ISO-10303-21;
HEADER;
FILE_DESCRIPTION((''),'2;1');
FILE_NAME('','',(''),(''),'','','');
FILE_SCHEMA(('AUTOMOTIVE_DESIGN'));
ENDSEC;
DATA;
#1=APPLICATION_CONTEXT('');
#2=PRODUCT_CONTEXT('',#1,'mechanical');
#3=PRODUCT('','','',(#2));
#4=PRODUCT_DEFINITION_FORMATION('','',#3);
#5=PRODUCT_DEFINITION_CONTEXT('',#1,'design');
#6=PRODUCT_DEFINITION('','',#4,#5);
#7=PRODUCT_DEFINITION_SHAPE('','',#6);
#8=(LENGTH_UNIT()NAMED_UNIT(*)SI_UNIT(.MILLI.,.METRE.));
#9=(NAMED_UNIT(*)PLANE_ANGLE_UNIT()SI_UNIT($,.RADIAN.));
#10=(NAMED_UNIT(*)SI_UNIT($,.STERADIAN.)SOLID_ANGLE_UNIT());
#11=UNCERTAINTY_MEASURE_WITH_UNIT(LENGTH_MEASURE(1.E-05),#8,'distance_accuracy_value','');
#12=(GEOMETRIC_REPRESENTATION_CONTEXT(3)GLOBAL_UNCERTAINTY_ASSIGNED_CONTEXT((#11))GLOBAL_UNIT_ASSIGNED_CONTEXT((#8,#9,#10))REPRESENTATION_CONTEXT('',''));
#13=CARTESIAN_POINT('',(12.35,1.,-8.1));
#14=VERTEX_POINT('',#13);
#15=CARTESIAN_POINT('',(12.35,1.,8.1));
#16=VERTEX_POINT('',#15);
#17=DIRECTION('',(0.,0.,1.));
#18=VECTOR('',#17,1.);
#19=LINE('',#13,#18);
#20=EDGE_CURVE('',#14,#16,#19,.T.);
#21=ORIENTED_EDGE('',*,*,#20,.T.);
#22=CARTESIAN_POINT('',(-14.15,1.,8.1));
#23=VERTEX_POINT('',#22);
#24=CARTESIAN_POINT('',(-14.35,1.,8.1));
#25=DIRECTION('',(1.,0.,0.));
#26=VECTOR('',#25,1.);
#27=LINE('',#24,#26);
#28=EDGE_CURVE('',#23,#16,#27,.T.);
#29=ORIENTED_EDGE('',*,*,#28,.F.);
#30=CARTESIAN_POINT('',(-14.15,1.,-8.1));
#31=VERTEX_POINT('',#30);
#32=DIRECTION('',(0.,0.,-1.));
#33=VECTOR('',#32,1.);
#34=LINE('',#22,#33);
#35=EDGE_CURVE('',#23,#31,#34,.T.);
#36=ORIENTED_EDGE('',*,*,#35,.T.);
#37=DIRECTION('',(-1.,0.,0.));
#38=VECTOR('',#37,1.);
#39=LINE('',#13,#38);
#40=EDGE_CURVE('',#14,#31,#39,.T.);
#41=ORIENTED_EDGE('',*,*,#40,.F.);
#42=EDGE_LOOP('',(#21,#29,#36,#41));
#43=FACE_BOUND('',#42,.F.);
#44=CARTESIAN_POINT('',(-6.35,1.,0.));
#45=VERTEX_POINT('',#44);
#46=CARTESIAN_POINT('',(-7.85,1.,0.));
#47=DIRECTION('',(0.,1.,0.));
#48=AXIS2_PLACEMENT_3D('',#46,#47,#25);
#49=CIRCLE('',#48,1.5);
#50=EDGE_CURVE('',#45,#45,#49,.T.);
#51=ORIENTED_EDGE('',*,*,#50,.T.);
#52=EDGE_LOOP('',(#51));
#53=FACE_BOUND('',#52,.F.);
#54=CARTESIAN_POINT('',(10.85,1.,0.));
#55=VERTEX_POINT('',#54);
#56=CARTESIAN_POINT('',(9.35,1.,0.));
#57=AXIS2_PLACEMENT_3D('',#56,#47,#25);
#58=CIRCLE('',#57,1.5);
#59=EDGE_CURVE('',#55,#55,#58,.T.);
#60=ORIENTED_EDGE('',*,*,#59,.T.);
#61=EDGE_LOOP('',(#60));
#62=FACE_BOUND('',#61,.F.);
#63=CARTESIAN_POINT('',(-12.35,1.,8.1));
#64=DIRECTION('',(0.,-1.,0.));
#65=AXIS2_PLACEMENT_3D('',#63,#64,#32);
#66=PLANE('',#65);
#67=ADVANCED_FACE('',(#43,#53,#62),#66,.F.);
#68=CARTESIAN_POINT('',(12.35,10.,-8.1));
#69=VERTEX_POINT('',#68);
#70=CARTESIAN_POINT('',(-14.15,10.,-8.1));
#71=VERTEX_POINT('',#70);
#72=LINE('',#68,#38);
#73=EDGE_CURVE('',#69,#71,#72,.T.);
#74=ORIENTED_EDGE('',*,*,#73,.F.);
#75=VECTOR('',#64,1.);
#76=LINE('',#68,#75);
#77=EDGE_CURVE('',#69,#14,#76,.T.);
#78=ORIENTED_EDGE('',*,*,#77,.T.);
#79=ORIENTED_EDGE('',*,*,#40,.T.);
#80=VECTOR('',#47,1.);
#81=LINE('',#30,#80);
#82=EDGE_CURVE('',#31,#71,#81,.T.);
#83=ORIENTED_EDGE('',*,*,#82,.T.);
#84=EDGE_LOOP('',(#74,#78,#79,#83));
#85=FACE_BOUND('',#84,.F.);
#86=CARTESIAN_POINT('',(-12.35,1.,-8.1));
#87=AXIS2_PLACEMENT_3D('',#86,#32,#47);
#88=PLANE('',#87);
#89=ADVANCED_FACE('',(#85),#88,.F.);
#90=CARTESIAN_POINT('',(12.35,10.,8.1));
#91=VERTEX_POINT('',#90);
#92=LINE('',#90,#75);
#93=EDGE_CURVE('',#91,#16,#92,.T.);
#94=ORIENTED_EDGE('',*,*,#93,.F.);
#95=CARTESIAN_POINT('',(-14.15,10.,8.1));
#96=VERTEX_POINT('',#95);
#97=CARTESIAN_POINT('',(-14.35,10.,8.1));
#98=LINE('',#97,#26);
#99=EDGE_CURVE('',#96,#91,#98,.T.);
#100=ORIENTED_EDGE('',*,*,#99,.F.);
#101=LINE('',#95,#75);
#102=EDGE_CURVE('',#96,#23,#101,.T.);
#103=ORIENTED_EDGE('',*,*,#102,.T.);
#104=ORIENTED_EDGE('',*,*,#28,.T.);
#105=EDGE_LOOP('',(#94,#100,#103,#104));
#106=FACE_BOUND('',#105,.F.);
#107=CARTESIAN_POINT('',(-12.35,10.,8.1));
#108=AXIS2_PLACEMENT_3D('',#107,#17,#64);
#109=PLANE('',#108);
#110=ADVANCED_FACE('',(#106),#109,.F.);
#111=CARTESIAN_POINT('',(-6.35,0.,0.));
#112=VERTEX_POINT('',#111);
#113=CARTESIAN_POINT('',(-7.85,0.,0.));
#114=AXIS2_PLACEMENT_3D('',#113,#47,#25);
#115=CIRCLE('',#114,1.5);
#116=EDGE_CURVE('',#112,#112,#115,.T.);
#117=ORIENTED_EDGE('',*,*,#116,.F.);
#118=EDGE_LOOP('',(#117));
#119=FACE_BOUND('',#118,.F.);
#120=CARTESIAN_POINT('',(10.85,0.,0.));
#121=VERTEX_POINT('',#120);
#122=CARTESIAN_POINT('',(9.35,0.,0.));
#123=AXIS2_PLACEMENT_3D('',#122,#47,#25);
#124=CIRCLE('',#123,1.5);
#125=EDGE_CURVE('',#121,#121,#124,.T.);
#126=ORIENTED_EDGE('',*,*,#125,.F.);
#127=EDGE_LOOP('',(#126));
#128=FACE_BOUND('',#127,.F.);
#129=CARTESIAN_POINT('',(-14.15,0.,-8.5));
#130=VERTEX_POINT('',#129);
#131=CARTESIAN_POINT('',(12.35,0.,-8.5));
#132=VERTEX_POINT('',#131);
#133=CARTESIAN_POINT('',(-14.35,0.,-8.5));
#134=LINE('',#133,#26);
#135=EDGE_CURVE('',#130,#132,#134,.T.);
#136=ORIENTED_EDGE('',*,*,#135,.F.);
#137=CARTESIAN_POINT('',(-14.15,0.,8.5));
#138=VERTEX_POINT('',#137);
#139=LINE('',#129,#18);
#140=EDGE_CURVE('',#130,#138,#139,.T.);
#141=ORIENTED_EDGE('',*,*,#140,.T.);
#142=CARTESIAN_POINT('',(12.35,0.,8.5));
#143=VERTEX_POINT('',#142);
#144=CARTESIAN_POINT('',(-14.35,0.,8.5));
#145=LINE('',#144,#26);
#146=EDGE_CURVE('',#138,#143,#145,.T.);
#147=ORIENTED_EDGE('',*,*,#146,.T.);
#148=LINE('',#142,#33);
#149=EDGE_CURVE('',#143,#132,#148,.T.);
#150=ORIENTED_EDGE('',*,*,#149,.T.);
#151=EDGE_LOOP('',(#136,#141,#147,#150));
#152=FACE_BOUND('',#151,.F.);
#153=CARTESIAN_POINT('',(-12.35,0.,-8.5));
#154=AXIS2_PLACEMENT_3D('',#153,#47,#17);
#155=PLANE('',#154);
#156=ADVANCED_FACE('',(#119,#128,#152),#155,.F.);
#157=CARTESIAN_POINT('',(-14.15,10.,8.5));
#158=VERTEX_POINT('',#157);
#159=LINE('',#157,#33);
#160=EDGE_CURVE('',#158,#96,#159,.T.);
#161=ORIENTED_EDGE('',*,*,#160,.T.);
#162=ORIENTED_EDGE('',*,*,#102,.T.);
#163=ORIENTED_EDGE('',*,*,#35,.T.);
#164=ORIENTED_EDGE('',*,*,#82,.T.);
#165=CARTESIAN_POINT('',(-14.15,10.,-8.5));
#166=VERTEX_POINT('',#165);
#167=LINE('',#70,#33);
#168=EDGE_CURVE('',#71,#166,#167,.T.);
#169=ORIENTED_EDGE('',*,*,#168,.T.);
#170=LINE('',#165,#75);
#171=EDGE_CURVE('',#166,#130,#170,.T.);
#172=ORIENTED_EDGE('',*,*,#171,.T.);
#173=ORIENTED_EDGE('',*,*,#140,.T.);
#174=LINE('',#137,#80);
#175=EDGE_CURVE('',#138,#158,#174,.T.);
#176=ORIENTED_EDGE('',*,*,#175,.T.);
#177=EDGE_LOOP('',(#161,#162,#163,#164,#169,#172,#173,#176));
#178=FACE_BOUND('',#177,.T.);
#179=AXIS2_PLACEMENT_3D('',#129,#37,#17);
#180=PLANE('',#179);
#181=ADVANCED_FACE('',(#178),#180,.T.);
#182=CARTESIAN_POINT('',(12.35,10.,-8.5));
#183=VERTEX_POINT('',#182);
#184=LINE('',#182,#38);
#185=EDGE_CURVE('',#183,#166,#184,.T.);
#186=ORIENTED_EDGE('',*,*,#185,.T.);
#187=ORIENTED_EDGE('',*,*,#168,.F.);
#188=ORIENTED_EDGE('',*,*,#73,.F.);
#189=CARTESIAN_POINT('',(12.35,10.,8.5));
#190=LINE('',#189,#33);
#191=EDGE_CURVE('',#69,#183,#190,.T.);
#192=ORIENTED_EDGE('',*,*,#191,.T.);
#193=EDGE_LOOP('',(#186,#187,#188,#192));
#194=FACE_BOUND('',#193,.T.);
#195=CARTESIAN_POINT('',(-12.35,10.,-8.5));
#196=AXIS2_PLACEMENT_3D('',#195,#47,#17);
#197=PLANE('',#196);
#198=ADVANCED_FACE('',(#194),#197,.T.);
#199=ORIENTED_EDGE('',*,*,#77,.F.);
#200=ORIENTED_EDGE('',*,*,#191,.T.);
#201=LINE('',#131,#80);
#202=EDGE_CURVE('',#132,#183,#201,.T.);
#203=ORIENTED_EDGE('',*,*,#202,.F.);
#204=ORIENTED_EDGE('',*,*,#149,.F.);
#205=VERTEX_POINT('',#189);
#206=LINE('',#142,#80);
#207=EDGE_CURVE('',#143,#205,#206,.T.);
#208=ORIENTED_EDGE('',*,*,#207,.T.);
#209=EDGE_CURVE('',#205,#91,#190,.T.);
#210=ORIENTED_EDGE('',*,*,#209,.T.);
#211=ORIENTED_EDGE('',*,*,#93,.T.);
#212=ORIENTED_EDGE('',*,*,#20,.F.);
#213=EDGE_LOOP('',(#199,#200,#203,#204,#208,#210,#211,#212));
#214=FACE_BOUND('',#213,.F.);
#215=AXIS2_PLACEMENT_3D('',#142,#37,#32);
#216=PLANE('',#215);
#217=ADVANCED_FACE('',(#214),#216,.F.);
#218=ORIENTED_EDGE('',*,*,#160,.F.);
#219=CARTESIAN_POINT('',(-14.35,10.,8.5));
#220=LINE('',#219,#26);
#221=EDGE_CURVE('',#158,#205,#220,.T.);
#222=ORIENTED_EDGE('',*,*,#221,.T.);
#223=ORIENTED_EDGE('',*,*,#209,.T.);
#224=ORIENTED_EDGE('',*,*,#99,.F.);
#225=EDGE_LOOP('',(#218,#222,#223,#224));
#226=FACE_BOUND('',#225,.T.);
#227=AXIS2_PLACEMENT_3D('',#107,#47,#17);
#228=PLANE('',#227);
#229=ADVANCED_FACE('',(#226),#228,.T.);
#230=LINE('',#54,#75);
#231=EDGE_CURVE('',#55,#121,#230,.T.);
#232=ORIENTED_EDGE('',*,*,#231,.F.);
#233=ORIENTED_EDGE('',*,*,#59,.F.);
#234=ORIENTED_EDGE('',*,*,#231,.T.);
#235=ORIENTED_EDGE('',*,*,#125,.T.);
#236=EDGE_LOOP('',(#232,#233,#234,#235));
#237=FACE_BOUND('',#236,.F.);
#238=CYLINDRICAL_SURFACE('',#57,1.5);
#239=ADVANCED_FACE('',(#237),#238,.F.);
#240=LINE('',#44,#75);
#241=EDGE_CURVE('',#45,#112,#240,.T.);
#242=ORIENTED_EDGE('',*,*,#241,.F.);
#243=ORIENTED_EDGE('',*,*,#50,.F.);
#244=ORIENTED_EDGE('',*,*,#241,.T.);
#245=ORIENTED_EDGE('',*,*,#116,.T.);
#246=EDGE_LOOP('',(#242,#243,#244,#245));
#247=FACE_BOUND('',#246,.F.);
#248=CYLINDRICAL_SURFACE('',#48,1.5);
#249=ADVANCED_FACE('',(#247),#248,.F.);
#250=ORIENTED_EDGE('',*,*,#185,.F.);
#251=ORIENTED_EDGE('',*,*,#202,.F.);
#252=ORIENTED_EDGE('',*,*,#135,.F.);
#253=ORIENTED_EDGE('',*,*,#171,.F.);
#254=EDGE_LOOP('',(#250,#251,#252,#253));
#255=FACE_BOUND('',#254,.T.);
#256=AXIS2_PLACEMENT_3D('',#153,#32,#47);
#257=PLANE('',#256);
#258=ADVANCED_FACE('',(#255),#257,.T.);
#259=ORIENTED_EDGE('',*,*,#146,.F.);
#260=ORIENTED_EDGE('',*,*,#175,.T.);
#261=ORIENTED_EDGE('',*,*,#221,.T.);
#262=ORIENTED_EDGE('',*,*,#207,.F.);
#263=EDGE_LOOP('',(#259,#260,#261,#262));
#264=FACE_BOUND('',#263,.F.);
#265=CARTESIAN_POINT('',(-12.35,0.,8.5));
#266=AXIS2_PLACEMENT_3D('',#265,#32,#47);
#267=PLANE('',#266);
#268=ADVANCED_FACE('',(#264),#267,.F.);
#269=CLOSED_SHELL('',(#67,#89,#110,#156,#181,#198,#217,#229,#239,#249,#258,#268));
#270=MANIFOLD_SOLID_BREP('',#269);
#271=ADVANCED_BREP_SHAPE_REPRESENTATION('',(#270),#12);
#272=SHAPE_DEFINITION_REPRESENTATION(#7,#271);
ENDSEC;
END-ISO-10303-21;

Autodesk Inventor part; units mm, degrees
ref_plane "YZ Plane" through (0, 0, 0) normal (1, 0, 0) x (0, 1, 0)
ref_plane "XZ Plane" through (0, 0, 0) normal (0, 1, 0) x (-1, 0, 0)
ref_plane "XY Plane" through (0, 0, 0) normal (0, 0, 1) x (1, 0, 0)
sketch "Sketch1" plane through (0, 0, 0) normal (0, 1, 0) x (-1, 0, 0)
  line L0 (12.35, 8.5) -> (-12.35, 8.5)
  line L1 (-12.35, 8.5) -> (-12.35, -8.5)
  line L2 (-12.35, -8.5) -> (12.35, -8.5)
  line L3 (12.35, -8.5) -> (12.35, 8.5)
  line L4 (12.35, 8.5) -> (-12.35, -8.5) construction
  line L5 (-12.35, 8.5) -> (12.35, -8.5) construction
  point P0 (0, 0)
  dimension "d0" = 24.7
  dimension "d1" = 17
extrude "Extrusion1" add sketch "Sketch1" along normal blind 10
sketch "Sketch2" plane through (0, 10, 0) normal (0, 1, 0) x (1, 0, 0)
  line L0 (-12.35, 8.1) -> (12.35, 8.1)
  line L1 (12.35, 8.1) -> (12.35, -8.1)
  line L2 (12.35, -8.1) -> (-12.35, -8.1)
  line L3 (-12.35, -8.1) -> (-12.35, 8.1)
  line L4 (-12.35, 8.1) -> (12.35, -8.1) construction
  line L5 (12.35, 8.1) -> (-12.35, -8.1) construction
  point P0 (0, 0)
  dimension "d4" = 24.7
  dimension "d5" = 16.2
extrude "Extrusion2" cut sketch "Sketch2" against normal blind 9
sketch "Sketch3" plane through (0, 0, 0) normal (0, -1, 0) x (1, 0, 0)
  line L0 (-12.35, -8.5) -> (-12.35, 8.5) projected
  line L1 (12.35, 8.5) -> (12.35, -8.5) projected
  line L2 (-12.35, 0) -> (-9.35, 0)
  circle A0 centre (-9.35, 0) radius 1.5
  line L3 (12.35, 0) -> (9.35, 0)
  circle A1 centre (9.35, 0) radius 1.5
  point P0 (0, 0)
  dimension "d8" = 3
  dimension "d9" = 3
  dimension "d10" = 3
  dimension "d11" = 3
extrude "Extrusion3" cut sketch "Sketch3" against normal blind 1
sketch "Sketch4" plane through (-12.35, 0, -8.5) normal (-1, 0, 0) x (0, 0, 1)
  line L0 (0.4, 1) -> (0.4, 10) projected
  line L1 (0, 10) -> (0.4, 10) projected
  line L2 (0, 0) -> (0, 10) projected
  line L3 (0, 0) -> (17, 0) projected
  line L4 (17, 0) -> (17, 10) projected
  line L5 (16.6, 10) -> (17, 10) projected
  line L6 (16.6, 10) -> (16.6, 1) projected
  line L7 (16.6, 1) -> (0.4, 1) projected
  point P0 (8.5, 0)
extrude "Extrusion4" add sketch "Sketch4" along normal blind 2
sketch "Sketch5" plane through (-14.35, 0, -8.5) normal (-1, 0, 0) x (0, 0, 1)
  line L0 (0.4, 1) -> (0.4, 10) projected
  line L1 (0.4, 10) -> (0, 10) projected
  line L2 (0, 10) -> (0, 0) projected
  line L3 (0, 0) -> (17, 0) projected
  line L4 (17, 0) -> (17, 10) projected
  line L5 (17, 10) -> (16.6, 10) projected
  line L6 (16.6, 10) -> (16.6, 1) projected
  line L7 (16.6, 1) -> (0.4, 1) projected
  point P0 (8.5, 0)
extrude "Extrusion5" cut sketch "Sketch5" against normal blind 0.2
sketch "Sketch6" plane through (0, 0, 0) normal (0, -1, 0) x (1, 0, 0)
  line L0 (-14.15, 8.5) -> (-14.15, -8.5) projected
  line L1 (-14.15, 8.5) -> (12.35, 8.5) projected
  circle A0 centre (-9.35, 0) radius 1.5 projected
  line L2 (-14.15, 0) -> (-12.15, 0)
  line L3 (-12.15, 0) -> (-10.15, 0)
  line L4 (-10.15, 0) -> (-7.15, 0)
  point P0 (0, 0)
  dimension "d18" = 2
  dimension "d19" = 2
  dimension "d20" = 3
extrude "Extrusion6" add sketch "Sketch6" against normal blind 1
sketch "Sketch7" plane through (0, 0, 0) normal (0, -1, 0) x (1, 0, 0)
  line L0 (-14.15, 8.5) -> (-14.15, -8.5) projected
  line L1 (-14.15, 8.5) -> (12.35, 8.5) projected
  line L2 (-14.15, 0) -> (-10.85, 0)
  line L3 (-10.85, 0) -> (-7.85, 0)
  circle A0 centre (-7.85, 0) radius 1.5
  point P0 (0, 0)
  dimension "d29" = 3.3
  dimension "d30" = 3
  dimension "d31" = 3
extrude "Extrusion7" cut sketch "Sketch7" against normal blind 1
sketch "Sketch8" plane through (0, 1, 0) normal (0, 1, 0) x (1, 0, 0)
  circle A0 centre (-7.85, 0) radius 1.5 projected
  circle A1 centre (9.35, 0) radius 1.5 projected
  circle A2 centre (9.35, 0) radius 0.05
  circle A3 centre (-7.85, 0) radius 0.05
  point P0 (0, 0)
  dimension "d34" = 0.1
  dimension "d35" = 0.1
extrude "Extrusion8" add sketch "Sketch8" against normal blind 1
sketch "Sketch9" plane through (0, 1, 0) normal (0, 1, 0) x (1, 0, 0)
  circle A0 centre (-7.85, 0) radius 0.05 projected
  circle A1 centre (9.35, 0) radius 0.05 projected
  circle A2 centre (-7.85, 0) radius 1.5
  circle A3 centre (9.35, 0) radius 1.5
  point P0 (0, 0)
  dimension "d38" = 3
  dimension "d39" = 3
extrude "Extrusion9" cut sketch "Sketch9" against normal blind 1
properties part number "kolejnicka_ruka"
